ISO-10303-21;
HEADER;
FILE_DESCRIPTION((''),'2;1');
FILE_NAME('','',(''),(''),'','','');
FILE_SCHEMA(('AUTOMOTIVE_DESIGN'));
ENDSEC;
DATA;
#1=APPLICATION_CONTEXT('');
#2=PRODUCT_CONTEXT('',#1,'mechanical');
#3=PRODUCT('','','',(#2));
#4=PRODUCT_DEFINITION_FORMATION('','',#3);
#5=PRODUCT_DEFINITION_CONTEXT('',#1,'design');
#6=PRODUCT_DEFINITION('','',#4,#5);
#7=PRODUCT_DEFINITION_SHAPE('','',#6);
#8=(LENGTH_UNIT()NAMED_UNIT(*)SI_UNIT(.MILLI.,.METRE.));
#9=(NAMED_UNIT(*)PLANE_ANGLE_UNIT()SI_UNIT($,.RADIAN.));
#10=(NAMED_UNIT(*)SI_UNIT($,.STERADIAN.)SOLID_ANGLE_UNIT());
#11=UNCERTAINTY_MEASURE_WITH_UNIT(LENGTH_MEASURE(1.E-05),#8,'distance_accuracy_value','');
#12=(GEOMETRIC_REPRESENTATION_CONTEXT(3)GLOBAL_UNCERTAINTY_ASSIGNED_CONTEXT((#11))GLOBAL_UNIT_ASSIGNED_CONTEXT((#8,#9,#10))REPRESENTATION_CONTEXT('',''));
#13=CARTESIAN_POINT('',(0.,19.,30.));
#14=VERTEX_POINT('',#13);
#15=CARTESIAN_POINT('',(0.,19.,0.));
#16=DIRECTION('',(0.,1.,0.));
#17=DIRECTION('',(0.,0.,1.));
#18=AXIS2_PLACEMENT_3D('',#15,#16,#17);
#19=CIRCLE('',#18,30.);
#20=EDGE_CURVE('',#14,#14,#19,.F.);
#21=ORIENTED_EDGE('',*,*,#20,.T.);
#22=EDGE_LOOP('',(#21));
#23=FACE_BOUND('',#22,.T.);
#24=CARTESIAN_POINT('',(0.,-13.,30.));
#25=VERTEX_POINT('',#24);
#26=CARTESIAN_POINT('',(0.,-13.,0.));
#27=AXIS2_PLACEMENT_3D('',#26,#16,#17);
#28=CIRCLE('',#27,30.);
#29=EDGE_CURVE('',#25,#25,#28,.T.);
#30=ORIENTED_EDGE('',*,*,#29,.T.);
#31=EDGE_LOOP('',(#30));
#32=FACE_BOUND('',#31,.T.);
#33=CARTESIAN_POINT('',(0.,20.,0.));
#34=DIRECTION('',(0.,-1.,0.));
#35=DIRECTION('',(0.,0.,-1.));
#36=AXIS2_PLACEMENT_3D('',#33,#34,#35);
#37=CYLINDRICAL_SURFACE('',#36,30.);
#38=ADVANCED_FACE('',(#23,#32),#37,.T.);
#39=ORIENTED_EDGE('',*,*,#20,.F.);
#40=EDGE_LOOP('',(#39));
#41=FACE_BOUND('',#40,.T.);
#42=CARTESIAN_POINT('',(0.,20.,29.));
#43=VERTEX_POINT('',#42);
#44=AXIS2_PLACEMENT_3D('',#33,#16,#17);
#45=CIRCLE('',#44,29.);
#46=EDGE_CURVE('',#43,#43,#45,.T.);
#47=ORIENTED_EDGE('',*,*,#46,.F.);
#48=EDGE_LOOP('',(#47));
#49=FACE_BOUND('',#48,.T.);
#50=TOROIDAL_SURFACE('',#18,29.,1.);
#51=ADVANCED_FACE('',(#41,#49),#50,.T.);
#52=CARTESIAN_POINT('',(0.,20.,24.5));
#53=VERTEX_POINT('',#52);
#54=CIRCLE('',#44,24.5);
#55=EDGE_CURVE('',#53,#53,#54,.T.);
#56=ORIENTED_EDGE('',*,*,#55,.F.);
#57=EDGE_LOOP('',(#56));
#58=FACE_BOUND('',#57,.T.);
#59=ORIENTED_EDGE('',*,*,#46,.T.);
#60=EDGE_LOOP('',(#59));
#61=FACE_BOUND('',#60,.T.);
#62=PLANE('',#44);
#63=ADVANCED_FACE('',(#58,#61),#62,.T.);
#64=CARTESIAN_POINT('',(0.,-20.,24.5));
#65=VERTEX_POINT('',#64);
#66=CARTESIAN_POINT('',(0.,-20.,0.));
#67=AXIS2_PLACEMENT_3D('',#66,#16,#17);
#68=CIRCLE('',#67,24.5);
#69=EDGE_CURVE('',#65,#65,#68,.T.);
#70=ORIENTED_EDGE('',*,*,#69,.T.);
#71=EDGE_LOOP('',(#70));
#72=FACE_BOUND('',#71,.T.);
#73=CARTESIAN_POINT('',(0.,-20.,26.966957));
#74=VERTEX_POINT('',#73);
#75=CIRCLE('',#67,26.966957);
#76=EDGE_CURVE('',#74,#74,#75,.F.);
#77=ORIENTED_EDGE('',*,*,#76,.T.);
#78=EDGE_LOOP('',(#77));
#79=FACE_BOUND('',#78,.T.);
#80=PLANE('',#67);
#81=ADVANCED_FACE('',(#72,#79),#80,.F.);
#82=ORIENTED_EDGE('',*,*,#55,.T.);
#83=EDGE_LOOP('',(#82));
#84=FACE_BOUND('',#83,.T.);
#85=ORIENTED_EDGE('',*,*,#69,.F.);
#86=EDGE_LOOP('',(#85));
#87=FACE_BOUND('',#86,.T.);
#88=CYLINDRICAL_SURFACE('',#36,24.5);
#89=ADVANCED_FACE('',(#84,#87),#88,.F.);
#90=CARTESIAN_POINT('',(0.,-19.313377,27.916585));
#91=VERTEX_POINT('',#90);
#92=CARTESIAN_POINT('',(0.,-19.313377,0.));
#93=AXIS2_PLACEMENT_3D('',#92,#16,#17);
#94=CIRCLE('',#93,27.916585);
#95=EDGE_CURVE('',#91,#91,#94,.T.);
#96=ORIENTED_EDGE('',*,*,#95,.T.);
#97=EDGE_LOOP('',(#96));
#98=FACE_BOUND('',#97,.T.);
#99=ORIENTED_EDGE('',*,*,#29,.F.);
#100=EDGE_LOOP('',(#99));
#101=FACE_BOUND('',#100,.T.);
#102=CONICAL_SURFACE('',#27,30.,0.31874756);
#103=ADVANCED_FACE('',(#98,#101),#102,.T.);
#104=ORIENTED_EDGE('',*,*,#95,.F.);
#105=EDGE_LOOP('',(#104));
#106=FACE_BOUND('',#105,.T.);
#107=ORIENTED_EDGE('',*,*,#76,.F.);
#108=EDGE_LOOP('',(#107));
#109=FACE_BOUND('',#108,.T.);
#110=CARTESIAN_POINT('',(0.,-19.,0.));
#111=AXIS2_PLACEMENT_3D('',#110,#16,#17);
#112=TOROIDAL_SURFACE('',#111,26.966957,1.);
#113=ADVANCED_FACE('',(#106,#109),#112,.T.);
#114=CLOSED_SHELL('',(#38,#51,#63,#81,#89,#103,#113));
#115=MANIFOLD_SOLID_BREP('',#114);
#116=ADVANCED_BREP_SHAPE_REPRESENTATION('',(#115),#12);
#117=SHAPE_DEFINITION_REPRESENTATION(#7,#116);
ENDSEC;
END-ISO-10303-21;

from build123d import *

# Parameters (mm, degrees)
SKETCH1_R           = 30
SKETCH1_R_2         = 24.5
BOSS_EXTRUDE1_DEPTH = 20
CHAMFER2_SIZE       = 2.31
CHAMFER2_SIZE2      = 7
FILLET1_R           = 1


with BuildPart() as part:
    # Sketch1 → Boss-Extrude1 (new, symmetric)
    with BuildSketch(Plane(origin=(0, 0, 0), x_dir=(1, 0, 0), z_dir=(0, 1, 0))):
        with Locations(Location((0, 0, 0), (0, 0, 270))):
            Circle(SKETCH1_R)
        with Locations(Location((0, 0, 0), (0, 0, 270))):
            Circle(SKETCH1_R_2, mode=Mode.SUBTRACT)
    extrude(amount=BOSS_EXTRUDE1_DEPTH, both=True)

    # Chamfer2
    chamfer2_edges = [part.edges().sort_by_distance(p)[0] for p in [
        (0, -20, -30),
    ]]
    chamfer2_side = [part.faces().sort_by_distance(p)[0] for p in [
        (0, -20, -29.151471863),
    ]]
    chamfer(chamfer2_edges, length=CHAMFER2_SIZE, length2=CHAMFER2_SIZE2, reference=chamfer2_side[0])

    # Fillet1
    fillet1_edges = [part.edges().sort_by_distance(p)[0] for p in [
        (0, -20, -27.69),
        (0, 20, -30),
    ]]
    fillet(fillet1_edges, radius=FILLET1_R)


solid = part.part
